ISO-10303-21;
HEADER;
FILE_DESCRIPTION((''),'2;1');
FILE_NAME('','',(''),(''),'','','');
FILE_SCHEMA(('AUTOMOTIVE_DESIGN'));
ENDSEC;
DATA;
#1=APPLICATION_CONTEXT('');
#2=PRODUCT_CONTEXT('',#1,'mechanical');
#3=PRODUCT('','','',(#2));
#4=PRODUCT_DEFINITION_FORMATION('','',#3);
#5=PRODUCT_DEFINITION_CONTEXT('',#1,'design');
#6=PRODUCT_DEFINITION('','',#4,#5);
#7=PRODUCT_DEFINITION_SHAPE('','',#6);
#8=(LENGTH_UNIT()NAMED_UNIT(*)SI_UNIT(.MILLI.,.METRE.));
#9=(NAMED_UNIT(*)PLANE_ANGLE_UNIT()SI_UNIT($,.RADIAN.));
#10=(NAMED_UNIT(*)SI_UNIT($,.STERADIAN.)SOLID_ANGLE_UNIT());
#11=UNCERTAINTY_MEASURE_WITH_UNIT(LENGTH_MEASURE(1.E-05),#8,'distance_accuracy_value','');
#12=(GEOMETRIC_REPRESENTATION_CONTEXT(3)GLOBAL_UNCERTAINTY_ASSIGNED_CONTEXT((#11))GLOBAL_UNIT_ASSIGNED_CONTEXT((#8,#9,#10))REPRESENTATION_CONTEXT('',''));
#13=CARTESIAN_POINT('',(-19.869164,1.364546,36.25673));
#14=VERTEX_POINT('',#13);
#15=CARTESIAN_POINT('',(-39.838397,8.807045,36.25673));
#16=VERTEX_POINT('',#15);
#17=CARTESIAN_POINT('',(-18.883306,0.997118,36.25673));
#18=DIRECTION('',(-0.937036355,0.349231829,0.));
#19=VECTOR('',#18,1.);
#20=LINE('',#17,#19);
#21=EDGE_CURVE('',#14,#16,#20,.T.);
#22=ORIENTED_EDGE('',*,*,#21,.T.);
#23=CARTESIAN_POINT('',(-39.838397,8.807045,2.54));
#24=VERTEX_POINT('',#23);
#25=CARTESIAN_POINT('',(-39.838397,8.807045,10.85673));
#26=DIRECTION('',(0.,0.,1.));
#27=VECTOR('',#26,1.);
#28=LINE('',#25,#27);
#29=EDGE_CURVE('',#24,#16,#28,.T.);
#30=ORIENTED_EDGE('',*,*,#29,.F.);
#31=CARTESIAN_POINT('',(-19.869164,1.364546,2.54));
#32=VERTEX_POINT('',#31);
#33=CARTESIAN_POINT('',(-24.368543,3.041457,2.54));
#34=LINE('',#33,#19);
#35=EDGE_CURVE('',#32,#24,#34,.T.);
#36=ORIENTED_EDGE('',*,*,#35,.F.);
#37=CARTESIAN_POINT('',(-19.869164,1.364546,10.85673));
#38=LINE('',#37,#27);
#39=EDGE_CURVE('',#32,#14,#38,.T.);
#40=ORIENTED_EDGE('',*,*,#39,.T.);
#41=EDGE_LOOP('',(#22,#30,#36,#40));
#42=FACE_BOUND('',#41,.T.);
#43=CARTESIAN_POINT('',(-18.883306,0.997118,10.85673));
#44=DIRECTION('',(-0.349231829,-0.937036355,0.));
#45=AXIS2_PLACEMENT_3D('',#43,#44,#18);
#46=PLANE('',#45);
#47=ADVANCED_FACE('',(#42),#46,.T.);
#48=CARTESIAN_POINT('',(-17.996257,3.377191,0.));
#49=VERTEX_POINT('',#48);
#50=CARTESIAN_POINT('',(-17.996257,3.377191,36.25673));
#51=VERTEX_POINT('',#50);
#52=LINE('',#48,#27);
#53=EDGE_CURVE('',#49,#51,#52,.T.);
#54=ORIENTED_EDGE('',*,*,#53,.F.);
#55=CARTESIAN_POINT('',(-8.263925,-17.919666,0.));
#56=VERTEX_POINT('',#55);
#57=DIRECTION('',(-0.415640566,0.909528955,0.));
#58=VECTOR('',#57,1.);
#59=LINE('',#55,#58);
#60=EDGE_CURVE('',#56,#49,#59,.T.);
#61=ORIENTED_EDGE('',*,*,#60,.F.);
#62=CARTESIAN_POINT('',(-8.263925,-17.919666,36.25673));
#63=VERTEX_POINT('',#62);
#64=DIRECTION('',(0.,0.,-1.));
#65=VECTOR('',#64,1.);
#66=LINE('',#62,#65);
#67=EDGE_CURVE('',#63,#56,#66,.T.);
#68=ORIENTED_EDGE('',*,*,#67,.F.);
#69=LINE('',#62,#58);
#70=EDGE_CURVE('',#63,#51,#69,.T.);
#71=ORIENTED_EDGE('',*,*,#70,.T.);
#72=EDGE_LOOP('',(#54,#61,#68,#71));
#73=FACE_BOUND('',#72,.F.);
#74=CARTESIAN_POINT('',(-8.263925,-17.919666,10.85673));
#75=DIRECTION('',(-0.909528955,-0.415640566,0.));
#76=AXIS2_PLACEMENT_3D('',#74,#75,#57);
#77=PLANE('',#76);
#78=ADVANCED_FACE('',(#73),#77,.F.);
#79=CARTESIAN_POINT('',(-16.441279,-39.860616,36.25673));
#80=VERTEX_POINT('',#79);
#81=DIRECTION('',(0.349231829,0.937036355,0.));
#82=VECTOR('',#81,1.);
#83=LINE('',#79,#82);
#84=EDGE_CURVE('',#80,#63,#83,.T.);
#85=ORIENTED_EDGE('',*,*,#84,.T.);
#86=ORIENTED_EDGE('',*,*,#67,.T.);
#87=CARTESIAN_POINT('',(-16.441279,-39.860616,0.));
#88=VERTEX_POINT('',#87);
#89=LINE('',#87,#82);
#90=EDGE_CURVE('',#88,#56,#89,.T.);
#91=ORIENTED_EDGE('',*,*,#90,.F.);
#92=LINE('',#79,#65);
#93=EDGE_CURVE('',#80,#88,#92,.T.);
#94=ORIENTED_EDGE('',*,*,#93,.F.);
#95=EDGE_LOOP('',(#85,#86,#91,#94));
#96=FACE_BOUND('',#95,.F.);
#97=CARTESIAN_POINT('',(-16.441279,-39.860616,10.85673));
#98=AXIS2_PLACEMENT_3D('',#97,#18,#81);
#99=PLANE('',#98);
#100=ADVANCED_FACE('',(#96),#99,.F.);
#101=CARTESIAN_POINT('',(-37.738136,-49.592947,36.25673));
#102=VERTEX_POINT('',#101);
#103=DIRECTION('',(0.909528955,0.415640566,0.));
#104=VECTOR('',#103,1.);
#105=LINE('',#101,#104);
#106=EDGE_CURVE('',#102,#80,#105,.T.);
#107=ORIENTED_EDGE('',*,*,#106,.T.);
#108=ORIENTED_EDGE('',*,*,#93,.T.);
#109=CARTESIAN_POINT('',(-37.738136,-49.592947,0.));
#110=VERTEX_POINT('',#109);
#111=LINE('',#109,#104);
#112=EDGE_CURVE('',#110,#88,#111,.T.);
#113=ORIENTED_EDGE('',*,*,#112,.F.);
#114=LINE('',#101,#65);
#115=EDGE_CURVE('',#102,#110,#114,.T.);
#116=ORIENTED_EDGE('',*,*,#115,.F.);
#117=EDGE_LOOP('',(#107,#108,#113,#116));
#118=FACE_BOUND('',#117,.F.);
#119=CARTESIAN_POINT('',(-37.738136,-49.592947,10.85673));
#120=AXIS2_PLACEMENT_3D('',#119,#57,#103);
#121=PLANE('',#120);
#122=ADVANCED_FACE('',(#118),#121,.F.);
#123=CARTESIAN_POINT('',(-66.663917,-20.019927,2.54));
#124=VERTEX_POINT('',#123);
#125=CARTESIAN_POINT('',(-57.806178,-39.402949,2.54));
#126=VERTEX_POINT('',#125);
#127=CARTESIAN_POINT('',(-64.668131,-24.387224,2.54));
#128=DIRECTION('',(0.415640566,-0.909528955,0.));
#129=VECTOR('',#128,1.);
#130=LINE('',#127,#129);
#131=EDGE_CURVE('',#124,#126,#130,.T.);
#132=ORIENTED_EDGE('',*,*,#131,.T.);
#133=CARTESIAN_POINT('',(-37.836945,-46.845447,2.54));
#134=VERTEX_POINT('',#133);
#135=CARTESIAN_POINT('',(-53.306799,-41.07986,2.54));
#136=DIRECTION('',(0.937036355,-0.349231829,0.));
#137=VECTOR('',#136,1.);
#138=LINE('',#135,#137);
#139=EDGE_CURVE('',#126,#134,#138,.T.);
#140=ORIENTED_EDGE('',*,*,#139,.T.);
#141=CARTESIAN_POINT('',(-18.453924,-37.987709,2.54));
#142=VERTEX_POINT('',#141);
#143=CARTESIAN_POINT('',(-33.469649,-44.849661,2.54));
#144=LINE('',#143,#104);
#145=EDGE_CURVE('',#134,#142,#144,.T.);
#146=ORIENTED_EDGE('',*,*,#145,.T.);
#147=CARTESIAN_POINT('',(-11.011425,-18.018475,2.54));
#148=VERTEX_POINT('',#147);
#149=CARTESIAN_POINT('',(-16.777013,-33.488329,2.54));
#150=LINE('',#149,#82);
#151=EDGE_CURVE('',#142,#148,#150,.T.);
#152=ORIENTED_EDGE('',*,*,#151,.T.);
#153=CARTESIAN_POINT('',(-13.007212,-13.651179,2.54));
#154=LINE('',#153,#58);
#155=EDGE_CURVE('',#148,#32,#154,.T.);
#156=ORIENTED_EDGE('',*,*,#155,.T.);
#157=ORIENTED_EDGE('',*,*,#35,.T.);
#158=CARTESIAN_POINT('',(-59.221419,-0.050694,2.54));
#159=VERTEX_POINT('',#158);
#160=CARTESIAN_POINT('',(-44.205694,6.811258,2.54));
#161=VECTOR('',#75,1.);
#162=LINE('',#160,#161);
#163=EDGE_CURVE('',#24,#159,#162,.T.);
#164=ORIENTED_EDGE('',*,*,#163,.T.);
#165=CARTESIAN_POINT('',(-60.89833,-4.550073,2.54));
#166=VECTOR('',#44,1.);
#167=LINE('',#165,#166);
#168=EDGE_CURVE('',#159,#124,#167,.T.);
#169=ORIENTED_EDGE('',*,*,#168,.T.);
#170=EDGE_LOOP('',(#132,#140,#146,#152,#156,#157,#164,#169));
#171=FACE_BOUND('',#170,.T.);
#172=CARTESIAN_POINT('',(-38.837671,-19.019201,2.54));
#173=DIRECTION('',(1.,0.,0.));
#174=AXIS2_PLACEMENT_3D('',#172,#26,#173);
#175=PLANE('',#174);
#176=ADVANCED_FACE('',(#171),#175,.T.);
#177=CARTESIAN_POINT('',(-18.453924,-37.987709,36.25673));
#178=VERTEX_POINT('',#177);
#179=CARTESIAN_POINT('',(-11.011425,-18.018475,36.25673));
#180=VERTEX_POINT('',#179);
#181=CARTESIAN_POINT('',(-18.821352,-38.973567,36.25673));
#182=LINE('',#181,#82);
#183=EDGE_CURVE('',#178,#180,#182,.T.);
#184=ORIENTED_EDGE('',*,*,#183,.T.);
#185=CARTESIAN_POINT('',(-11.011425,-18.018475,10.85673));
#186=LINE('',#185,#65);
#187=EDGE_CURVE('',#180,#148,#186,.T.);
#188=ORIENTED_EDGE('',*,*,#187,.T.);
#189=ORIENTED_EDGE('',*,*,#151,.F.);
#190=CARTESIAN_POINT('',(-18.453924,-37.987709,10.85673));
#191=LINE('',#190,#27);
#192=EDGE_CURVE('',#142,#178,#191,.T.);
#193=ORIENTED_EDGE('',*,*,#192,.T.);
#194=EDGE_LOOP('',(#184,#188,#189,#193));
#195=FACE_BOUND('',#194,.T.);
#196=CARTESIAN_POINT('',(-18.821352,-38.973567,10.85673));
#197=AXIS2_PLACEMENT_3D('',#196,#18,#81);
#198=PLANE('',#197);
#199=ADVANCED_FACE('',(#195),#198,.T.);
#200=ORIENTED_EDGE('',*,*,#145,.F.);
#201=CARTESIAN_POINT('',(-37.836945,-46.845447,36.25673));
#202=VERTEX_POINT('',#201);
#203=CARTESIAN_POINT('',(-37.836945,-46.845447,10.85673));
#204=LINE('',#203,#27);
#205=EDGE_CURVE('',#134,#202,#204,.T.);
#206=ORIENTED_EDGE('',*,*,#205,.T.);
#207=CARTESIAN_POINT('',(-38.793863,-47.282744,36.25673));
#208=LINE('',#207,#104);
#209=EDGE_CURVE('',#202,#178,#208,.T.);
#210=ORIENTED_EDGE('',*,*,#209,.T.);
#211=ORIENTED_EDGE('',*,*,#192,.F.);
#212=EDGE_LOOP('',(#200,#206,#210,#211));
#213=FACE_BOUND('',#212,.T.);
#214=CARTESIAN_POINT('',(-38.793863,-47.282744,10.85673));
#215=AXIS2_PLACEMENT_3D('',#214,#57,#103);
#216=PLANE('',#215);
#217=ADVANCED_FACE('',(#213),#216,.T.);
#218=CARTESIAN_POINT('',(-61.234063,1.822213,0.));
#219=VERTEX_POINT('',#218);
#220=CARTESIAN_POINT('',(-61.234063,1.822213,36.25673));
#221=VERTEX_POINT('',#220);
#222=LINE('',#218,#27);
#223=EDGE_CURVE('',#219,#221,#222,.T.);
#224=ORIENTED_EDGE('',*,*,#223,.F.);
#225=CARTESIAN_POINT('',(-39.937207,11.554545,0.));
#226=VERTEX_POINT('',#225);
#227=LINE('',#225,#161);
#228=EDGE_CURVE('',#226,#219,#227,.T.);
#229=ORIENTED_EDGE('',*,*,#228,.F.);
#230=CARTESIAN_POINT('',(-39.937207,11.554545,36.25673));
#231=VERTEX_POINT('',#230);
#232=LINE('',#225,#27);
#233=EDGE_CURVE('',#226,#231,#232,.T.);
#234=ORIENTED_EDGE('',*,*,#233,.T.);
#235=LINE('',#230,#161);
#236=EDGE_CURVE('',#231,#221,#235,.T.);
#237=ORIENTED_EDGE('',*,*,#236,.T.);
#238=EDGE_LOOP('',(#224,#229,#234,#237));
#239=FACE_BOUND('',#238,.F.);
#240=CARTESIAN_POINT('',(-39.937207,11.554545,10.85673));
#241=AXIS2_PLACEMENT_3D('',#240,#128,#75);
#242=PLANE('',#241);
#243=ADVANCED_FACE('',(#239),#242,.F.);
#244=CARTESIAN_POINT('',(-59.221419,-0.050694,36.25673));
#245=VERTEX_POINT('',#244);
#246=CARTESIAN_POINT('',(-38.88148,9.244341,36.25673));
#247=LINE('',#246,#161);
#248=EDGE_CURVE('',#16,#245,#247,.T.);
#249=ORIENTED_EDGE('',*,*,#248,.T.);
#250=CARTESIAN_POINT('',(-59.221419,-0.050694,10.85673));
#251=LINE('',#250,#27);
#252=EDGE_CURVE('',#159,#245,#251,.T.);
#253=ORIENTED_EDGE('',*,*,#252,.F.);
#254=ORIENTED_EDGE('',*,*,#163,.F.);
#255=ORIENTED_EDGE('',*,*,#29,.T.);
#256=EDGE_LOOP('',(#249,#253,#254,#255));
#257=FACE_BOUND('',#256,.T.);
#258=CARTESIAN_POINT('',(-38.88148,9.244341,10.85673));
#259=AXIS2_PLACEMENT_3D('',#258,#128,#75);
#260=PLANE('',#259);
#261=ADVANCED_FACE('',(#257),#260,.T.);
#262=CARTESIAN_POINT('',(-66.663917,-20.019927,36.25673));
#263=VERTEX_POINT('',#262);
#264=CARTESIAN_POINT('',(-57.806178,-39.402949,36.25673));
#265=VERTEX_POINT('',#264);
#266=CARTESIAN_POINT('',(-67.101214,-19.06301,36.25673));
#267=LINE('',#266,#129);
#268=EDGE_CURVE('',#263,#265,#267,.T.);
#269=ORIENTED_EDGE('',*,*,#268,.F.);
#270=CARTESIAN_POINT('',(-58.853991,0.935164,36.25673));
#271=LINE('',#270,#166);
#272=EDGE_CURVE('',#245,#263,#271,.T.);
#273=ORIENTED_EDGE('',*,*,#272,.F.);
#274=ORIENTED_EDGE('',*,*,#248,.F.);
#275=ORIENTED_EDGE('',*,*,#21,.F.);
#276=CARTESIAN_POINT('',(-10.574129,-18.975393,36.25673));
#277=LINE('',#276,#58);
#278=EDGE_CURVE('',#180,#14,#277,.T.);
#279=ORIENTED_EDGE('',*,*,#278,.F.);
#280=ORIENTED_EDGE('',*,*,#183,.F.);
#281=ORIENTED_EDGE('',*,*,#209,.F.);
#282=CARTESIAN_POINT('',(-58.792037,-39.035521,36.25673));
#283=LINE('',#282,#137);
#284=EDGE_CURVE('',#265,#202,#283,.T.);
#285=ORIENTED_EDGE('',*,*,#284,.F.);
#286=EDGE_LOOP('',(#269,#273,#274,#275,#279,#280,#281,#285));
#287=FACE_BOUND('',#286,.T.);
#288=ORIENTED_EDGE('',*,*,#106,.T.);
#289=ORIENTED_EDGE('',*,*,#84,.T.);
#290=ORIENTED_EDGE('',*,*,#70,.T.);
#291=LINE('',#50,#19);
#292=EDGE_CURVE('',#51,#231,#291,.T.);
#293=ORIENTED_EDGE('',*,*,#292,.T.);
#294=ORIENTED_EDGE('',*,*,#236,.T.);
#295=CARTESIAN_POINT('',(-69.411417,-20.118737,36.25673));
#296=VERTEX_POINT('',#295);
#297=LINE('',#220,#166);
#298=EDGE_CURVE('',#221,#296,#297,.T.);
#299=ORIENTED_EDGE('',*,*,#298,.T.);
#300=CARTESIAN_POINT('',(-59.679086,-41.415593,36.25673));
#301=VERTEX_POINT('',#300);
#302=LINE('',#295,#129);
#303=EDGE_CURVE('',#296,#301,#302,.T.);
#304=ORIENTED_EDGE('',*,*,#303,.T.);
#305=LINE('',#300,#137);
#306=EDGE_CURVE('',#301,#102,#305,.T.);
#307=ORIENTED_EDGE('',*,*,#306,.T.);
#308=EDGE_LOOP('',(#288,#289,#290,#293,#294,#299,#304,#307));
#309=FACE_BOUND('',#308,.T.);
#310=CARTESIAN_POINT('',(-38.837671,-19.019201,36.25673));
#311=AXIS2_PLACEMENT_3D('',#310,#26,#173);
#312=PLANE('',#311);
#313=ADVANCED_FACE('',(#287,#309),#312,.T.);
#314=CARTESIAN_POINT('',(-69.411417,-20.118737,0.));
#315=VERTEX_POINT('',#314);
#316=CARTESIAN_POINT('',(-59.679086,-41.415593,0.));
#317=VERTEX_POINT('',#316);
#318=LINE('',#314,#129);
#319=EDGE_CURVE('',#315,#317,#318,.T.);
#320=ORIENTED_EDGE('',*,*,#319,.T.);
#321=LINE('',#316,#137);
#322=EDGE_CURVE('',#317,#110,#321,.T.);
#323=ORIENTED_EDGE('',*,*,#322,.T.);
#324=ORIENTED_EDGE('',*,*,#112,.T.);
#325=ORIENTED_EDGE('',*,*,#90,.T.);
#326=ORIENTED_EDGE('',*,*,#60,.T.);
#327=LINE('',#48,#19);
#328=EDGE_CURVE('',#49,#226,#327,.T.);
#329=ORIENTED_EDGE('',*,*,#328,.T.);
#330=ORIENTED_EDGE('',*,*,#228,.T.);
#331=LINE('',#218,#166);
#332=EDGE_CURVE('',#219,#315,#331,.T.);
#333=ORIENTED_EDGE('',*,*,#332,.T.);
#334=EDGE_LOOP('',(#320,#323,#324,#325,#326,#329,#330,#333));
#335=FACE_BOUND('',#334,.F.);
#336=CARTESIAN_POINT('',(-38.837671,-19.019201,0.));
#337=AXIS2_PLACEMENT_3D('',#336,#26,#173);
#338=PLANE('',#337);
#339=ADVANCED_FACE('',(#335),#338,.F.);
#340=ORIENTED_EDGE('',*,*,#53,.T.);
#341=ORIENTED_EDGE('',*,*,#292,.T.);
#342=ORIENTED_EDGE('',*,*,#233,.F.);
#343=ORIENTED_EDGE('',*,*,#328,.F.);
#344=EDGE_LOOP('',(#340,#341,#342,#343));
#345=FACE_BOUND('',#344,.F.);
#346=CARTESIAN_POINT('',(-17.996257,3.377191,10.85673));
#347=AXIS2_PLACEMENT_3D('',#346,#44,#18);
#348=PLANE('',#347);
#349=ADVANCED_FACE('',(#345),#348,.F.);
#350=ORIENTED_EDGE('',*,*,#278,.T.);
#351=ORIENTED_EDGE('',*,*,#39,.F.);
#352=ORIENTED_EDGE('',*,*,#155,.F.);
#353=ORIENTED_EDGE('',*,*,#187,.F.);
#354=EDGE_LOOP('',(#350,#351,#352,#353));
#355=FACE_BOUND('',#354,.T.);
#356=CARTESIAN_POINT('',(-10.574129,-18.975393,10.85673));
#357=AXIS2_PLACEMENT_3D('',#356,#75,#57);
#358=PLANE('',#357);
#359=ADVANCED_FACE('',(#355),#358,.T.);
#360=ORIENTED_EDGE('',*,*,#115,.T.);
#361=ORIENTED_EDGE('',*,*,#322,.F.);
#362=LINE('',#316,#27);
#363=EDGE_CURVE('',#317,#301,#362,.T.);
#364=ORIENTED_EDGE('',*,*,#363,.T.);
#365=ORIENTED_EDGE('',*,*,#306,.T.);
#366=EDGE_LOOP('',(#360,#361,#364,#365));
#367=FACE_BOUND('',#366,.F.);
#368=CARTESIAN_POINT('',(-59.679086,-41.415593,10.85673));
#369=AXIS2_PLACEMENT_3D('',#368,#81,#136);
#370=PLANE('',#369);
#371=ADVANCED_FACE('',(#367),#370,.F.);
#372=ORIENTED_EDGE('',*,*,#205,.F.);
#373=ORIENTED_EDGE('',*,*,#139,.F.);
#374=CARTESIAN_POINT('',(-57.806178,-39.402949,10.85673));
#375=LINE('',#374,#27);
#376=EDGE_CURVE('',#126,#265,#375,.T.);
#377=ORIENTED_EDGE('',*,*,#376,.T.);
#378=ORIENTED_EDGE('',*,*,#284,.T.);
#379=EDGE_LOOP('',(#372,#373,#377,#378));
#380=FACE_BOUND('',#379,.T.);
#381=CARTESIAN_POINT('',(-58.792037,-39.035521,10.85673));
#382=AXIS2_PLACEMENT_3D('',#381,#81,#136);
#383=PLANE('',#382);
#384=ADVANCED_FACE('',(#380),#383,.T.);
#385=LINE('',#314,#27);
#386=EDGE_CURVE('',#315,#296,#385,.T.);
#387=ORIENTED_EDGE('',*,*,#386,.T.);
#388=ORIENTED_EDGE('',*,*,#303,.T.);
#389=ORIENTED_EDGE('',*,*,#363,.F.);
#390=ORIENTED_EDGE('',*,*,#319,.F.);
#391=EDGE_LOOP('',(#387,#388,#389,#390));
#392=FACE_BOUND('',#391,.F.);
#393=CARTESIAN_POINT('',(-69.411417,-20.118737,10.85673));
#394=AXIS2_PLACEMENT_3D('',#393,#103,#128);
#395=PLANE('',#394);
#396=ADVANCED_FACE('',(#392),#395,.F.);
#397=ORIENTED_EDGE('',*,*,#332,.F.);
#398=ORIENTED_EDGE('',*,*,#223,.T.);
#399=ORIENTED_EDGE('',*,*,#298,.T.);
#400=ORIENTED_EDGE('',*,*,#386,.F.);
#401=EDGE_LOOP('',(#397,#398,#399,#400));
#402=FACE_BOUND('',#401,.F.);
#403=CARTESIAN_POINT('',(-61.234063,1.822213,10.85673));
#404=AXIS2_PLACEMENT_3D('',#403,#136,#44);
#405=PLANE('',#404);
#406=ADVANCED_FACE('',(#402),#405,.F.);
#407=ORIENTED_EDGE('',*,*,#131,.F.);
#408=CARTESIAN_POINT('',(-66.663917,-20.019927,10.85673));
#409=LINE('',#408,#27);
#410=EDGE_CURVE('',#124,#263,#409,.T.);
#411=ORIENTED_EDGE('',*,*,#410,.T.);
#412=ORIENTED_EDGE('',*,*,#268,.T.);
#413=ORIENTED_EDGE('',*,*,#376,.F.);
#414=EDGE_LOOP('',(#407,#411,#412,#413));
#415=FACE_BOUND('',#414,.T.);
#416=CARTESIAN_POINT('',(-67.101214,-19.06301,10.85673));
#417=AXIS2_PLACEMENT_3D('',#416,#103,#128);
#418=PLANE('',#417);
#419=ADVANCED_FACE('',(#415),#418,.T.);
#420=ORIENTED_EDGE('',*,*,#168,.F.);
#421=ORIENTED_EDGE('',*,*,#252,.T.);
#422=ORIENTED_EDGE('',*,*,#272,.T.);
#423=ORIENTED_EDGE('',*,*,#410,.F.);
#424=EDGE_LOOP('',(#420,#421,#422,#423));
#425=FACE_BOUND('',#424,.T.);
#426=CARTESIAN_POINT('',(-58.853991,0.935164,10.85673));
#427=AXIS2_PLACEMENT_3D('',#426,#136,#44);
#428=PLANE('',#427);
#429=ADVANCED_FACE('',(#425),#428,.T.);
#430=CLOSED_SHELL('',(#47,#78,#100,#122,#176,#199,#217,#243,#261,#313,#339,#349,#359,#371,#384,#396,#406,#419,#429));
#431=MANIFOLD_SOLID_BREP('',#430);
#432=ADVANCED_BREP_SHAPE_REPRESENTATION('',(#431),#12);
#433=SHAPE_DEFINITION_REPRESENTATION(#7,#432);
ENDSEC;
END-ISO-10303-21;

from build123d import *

# Parameters (mm, degrees)
F1_DEPTH = 10.85673
F2_DEPTH = 25.4
F3_T     = -2.54


with BuildPart() as f1:
    # F0 (on Top) → F1 (new body)
    with BuildSketch(Plane.XY):
        Polygon((-8.2639252249, -17.919666025), (-17.9962570365, 3.3771906822), (-39.9372066528, 11.5545446571), (-61.23406336, 1.8222128455), (-69.4114173349, -20.1187367708), (-59.6790855233, -41.415593478), (-37.738135907, -49.5929474529), (-16.4412791998, -39.8606156413), align=None)
    extrude(amount=F1_DEPTH)

    # F2 (add): a face of the model
    f2_faces = [f1.faces().sort_by_distance(p)[0] for p in [
        (-38.8376712799, -19.0192013979, 10.85673),
    ]]
    extrude(f2_faces, amount=F2_DEPTH)

    # F3
    f3_openings = [f1.faces().sort_by_distance(p)[0] for p in [
        (-38.837671, -19.019201, 36.25673),
    ]]
    offset(amount=F3_T, openings=f3_openings)


solid = f1.part
